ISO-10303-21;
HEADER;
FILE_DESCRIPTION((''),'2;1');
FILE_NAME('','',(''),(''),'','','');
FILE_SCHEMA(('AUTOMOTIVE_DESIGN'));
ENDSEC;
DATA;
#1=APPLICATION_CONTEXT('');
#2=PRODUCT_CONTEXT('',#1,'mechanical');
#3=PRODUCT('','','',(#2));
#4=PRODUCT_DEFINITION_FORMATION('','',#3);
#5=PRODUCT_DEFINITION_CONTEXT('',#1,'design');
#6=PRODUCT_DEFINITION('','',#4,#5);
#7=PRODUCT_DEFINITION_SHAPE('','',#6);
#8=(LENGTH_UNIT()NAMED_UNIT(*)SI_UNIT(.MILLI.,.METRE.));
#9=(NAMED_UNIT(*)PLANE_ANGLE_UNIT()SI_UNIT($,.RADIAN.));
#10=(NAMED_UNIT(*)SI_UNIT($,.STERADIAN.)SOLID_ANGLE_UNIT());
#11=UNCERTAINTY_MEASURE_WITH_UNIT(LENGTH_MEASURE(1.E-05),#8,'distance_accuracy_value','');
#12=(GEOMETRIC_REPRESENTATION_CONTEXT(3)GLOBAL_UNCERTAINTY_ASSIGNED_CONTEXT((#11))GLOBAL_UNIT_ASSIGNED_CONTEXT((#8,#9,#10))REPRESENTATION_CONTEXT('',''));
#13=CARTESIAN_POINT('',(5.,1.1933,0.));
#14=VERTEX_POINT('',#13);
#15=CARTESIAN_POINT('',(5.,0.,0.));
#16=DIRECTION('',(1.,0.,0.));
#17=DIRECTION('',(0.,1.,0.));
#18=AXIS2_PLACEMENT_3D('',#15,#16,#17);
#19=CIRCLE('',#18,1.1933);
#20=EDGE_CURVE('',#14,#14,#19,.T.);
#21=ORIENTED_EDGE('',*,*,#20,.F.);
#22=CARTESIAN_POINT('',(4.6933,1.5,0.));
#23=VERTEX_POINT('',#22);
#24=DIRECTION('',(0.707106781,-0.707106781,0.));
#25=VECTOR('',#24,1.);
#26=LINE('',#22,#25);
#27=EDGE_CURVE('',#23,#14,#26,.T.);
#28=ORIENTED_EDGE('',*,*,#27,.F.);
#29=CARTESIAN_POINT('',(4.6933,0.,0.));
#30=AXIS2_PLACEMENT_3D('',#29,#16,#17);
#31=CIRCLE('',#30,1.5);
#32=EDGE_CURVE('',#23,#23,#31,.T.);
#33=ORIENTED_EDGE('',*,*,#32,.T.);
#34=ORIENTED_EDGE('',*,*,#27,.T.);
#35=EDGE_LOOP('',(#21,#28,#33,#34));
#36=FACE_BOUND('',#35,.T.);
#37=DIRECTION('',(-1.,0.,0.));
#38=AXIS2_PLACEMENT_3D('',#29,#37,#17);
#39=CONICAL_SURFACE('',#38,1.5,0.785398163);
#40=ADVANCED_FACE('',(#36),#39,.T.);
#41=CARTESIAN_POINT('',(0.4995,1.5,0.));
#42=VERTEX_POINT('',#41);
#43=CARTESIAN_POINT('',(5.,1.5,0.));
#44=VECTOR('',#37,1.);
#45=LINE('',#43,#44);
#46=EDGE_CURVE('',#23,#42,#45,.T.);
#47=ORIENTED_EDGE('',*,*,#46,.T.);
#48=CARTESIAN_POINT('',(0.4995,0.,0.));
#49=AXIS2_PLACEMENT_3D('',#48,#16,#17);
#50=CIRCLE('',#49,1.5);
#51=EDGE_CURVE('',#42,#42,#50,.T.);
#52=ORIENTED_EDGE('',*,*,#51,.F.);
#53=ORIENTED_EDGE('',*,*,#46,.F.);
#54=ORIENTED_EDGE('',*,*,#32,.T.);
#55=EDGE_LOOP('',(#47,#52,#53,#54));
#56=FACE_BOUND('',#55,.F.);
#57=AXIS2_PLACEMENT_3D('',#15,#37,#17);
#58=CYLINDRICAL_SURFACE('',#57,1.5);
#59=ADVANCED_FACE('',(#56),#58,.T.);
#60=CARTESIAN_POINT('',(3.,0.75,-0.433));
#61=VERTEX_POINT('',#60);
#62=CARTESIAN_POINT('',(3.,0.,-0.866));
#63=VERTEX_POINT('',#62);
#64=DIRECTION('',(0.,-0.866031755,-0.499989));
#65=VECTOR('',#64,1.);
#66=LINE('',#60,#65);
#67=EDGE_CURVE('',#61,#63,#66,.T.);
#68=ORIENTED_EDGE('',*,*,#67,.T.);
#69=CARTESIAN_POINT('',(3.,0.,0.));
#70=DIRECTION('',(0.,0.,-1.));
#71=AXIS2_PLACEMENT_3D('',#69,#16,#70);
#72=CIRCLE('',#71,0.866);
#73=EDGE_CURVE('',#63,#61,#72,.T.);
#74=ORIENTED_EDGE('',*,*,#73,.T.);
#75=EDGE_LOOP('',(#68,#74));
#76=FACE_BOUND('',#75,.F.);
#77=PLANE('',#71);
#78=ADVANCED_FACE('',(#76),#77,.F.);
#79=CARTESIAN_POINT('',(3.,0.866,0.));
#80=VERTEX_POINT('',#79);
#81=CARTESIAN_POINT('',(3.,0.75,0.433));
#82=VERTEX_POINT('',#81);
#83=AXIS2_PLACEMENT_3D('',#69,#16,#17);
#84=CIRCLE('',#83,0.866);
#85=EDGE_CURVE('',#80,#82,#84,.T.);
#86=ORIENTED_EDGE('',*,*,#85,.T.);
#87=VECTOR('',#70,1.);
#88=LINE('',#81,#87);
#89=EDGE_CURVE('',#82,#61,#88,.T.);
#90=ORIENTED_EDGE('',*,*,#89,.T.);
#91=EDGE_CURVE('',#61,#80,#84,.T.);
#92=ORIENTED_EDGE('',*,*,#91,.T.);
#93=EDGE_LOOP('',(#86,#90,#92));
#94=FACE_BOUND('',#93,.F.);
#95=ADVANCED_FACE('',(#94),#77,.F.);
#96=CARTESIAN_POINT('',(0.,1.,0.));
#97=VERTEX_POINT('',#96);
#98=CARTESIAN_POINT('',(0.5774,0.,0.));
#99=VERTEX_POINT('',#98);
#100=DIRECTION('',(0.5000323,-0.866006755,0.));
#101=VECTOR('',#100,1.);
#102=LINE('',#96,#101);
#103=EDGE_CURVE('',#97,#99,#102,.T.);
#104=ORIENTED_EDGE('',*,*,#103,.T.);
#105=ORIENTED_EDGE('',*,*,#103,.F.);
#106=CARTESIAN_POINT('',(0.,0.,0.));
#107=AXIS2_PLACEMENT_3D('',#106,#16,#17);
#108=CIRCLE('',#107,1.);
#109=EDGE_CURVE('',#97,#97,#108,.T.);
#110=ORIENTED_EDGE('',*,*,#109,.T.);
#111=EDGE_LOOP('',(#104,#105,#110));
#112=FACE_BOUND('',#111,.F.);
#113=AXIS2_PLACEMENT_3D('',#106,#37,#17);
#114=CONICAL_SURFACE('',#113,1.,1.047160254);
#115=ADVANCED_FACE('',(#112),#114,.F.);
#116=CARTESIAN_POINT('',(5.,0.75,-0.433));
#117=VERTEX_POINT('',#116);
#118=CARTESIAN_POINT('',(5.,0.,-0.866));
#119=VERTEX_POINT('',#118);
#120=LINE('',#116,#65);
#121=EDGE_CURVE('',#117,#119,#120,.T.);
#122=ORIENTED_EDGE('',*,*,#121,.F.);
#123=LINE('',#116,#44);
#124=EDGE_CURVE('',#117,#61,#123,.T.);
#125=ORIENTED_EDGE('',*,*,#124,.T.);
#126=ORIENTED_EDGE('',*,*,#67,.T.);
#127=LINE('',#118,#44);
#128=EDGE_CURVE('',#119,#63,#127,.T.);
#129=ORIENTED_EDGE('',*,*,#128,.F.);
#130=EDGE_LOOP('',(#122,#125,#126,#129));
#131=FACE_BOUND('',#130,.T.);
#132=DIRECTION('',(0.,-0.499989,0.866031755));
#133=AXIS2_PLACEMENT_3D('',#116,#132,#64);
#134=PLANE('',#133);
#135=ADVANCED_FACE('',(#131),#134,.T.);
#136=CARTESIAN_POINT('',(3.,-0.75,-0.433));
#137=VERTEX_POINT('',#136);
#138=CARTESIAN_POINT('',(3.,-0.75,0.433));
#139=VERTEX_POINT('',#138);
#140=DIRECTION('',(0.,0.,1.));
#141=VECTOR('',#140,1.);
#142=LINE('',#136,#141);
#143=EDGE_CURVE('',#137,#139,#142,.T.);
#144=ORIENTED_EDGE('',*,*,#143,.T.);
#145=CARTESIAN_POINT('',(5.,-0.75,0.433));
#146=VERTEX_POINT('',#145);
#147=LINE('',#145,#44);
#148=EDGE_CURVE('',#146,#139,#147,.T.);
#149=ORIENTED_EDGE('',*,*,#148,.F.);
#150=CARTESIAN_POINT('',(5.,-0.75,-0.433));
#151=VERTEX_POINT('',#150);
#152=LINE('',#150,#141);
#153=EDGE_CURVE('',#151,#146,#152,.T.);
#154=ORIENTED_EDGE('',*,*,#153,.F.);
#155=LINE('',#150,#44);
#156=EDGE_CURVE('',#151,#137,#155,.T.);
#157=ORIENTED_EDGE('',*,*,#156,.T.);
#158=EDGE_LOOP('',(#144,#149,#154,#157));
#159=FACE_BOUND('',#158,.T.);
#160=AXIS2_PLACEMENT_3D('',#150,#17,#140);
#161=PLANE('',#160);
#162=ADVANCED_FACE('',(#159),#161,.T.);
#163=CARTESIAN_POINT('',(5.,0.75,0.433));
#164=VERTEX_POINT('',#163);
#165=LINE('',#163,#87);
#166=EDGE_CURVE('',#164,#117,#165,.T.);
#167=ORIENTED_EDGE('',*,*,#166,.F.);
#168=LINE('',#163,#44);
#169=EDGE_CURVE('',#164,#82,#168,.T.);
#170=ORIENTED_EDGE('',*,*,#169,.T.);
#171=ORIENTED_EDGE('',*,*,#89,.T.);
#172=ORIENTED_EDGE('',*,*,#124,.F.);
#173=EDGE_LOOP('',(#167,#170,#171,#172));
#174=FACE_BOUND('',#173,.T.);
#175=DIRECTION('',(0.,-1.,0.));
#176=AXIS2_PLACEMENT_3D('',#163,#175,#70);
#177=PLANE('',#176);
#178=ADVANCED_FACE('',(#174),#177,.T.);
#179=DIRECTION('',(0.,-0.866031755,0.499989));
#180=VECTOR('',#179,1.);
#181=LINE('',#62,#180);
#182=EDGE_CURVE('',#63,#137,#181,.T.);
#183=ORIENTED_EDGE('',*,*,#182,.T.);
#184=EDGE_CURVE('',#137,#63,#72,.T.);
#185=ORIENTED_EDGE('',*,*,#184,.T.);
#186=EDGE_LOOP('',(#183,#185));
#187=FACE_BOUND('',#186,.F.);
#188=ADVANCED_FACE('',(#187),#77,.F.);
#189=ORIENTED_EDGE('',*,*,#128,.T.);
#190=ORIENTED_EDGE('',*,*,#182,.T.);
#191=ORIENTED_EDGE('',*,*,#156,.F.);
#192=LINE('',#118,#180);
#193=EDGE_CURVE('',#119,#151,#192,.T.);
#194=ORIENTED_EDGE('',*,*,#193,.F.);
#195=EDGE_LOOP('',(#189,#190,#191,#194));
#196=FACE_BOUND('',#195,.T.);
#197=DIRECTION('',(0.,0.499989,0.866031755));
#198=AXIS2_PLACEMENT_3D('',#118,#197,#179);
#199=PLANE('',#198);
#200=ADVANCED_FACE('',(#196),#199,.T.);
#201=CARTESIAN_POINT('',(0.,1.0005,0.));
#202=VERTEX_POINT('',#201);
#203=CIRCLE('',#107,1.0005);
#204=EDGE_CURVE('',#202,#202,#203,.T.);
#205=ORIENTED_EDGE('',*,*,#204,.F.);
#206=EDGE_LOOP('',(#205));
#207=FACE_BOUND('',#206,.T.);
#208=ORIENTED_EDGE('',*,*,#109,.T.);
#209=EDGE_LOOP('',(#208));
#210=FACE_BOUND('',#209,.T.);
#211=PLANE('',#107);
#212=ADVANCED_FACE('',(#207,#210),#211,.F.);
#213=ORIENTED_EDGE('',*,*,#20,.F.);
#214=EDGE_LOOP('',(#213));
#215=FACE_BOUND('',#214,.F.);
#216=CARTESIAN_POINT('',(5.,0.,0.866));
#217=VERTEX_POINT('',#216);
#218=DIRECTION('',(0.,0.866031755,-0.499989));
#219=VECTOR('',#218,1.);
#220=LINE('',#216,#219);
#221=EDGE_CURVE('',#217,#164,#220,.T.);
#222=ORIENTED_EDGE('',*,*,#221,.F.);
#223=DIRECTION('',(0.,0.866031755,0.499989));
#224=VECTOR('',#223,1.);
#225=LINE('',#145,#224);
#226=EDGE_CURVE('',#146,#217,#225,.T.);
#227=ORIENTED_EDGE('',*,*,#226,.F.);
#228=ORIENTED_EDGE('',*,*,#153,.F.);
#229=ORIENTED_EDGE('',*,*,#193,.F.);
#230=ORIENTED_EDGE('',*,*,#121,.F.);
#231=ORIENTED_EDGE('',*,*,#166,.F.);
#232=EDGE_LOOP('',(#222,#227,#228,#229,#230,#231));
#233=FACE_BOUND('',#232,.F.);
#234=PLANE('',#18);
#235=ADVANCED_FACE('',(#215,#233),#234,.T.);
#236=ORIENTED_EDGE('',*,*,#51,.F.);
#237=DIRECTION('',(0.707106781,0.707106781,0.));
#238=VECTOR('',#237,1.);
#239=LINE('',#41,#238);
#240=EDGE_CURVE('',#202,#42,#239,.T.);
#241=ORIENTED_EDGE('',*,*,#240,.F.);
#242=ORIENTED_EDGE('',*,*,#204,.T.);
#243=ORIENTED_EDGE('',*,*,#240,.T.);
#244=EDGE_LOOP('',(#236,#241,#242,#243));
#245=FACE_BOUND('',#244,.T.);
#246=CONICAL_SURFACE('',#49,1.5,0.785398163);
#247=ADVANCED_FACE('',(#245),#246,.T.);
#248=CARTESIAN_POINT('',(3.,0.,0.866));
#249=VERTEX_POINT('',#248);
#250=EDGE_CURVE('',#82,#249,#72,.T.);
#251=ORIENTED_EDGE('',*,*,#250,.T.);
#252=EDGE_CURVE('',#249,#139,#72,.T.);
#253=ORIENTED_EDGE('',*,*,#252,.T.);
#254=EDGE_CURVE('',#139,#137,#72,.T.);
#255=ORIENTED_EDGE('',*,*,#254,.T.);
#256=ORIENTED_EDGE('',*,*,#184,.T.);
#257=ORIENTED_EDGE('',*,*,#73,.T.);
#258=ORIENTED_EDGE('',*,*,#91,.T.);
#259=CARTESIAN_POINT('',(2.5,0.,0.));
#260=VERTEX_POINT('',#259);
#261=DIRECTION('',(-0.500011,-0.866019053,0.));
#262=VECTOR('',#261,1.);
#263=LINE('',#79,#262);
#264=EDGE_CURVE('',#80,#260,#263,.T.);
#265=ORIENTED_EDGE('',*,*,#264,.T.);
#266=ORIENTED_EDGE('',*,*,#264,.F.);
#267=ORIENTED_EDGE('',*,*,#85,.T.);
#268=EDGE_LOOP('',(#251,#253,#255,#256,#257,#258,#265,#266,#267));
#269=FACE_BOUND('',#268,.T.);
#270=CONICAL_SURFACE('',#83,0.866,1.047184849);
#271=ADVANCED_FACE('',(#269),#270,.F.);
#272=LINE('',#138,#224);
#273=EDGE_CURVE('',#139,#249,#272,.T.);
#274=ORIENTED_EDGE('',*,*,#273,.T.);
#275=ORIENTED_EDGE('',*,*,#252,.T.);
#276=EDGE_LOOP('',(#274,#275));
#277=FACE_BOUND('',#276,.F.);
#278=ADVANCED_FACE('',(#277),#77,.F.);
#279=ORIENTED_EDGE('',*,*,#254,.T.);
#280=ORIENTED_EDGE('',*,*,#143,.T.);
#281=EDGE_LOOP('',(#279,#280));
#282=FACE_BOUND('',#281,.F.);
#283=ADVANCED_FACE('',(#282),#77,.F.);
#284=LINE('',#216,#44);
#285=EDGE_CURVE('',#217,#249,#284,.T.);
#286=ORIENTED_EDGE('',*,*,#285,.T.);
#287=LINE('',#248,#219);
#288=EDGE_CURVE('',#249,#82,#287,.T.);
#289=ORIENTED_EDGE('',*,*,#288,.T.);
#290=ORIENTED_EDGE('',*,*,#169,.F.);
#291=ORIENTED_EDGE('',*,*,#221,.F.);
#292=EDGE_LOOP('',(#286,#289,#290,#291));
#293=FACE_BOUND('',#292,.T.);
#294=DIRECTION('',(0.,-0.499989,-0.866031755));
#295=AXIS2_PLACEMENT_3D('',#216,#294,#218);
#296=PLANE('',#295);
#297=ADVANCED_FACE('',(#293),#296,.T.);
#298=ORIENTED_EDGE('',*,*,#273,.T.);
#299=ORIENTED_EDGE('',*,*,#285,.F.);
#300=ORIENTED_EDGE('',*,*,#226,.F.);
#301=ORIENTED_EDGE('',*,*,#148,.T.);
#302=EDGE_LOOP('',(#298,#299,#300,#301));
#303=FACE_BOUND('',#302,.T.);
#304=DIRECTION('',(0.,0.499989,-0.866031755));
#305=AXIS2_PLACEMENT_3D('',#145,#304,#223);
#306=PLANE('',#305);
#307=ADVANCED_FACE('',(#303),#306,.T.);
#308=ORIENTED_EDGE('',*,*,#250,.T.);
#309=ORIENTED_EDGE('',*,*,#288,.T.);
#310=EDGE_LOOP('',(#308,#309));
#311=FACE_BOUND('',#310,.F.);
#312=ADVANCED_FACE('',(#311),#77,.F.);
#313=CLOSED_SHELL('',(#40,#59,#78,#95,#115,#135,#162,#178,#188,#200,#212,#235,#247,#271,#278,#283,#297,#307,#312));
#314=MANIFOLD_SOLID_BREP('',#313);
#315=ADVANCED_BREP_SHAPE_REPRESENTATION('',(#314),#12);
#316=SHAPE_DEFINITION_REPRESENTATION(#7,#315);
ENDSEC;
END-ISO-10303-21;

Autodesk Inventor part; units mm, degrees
ref_plane "YZ Plane" through (0, 0, 0) normal (1, 0, 0) x (0, 1, 0)
ref_plane "XZ Plane" through (0, 0, 0) normal (0, 1, 0) x (-1, 0, 0)
sketch "Sketch1" plane through (0, 0, 0) normal (0, 0, 1) x (1, 0, 0)
  line L0 (0.5774, 0) -> (2.5, 0)
  line L1 (5, 0.866) -> (5, 1.5)
  line L2 (5, 1.5) -> (0, 1.5)
  line L3 (5, 0.866) -> (3, 0.866)
  line L4 (3, 0.866) -> (2.5, 0)
  line L5 (0, 1) -> (0.5774, 0)
  line L6 (0, -0.3) -> (0, 1.8) projected
  line L7 (0, 1) -> (0, 1.5)
  point P0 (0, 0)
  dimension "d0" = 2
  dimension "d1" = 60
  dimension "d2" = 3
  dimension "d3" = 1.7321
  dimension "d4" = 5
  dimension "d5" = 60
  dimension "d7" = 2
revolve "Body" add sketch "Sketch1" angle 360 about axis through (0.5774, 0, 0) along (1, 0, 0)
sketch "Sketch2" plane through (5, 0, 0) normal (1, 0, 0) x (0, 0, -1)
  circle A0 centre (0, 0) radius 0.866 projected
  circle A1 centre (0, 0) radius 1.5 projected
  line L0 (0.866, 0) -> (0.433, -0.75)
  line L1 (0.433, -0.75) -> (-0.433, -0.75)
  line L2 (-0.433, -0.75) -> (-0.866, 0)
  line L3 (-0.866, 0) -> (-0.433, 0.75)
  line L4 (-0.433, 0.75) -> (0.433, 0.75)
  line L5 (0.433, 0.75) -> (0.866, 0)
extrude "Slot" add sketch "Sketch2" against normal blind 2 contours L5 A0 | A0 L0 | L4 A0 | A0 L1 | L3 A0 | A0 L2
chamfer "Chamfer1" distance 0.5 angle 45 1 edges at (0, -1.5, 0) measured on face at (0, 1.3188, -0.1197)
thread "Thread" size "M3x0.5" class "6g" standard "ISO Metric profile" length 5
chamfer "Chamfer2" distance 0.3067 angle 45 1 edges at (5, -1.5, 0) measured on face at (1.9997, 1.4951, -0.1207)
ref_plane "Work Plane1" through (2.5, 0, 0) normal (0, -0.5, -0.866) x (1, 0, 0)
equation "\"d0\" = INTI"
equation "\"d2\" = NND"
equation "\"d3\" = 1.1547 * SW"
equation "\"d4\" = NLG"
equation "\"d5\" = 0.5 * ANG"
equation "\"d7\" = SPD"
equation "\"d8\" = INTI"
equation "\"d10\" = -0.5 * SPD + 0.5 * NND"
equation "\"d11\" = FAWI"
equation "\"d33\" = -0.5 * SPD + 0.5 * NND"
equation "\"d14\" = NLG"
equation "\"d12\" = -0.5 * GD1 + 0.5 * NND"
equation "\"d13\" = FAWI"
equation "\"d34\" = -0.5 * GD1 + 0.5 * NND"
equation "\"NND\" = 3"
equation "\"NLG\" = 5"
equation "\"INTI\" = 2"
equation "\"FAWI\" = 45deg"
equation "\"SW\" = 1.5"
equation "\"GD1\" = THREADDIA - 1.2269 * PTC"
equation "\"ANG\" = 120deg"
equation "\"FAWI1\" = 45deg"
equation "\"SPD\" = 2"
equation "\"GUL\" = 0.61345 * PTC"
equation "\"TOA\" = 30deg"
equation "\"ZLG\" = 1.2"
equation "\"THREADDIA\" = 3"
equation "\"PTC\" = 0.5"
equation "\"GAL\" = 0.61345 * PTC"
equation "\"E0\" = 1.155 * SW"
properties part number "CNS 4480 - M3 x 5" material "Steel, Mild"
